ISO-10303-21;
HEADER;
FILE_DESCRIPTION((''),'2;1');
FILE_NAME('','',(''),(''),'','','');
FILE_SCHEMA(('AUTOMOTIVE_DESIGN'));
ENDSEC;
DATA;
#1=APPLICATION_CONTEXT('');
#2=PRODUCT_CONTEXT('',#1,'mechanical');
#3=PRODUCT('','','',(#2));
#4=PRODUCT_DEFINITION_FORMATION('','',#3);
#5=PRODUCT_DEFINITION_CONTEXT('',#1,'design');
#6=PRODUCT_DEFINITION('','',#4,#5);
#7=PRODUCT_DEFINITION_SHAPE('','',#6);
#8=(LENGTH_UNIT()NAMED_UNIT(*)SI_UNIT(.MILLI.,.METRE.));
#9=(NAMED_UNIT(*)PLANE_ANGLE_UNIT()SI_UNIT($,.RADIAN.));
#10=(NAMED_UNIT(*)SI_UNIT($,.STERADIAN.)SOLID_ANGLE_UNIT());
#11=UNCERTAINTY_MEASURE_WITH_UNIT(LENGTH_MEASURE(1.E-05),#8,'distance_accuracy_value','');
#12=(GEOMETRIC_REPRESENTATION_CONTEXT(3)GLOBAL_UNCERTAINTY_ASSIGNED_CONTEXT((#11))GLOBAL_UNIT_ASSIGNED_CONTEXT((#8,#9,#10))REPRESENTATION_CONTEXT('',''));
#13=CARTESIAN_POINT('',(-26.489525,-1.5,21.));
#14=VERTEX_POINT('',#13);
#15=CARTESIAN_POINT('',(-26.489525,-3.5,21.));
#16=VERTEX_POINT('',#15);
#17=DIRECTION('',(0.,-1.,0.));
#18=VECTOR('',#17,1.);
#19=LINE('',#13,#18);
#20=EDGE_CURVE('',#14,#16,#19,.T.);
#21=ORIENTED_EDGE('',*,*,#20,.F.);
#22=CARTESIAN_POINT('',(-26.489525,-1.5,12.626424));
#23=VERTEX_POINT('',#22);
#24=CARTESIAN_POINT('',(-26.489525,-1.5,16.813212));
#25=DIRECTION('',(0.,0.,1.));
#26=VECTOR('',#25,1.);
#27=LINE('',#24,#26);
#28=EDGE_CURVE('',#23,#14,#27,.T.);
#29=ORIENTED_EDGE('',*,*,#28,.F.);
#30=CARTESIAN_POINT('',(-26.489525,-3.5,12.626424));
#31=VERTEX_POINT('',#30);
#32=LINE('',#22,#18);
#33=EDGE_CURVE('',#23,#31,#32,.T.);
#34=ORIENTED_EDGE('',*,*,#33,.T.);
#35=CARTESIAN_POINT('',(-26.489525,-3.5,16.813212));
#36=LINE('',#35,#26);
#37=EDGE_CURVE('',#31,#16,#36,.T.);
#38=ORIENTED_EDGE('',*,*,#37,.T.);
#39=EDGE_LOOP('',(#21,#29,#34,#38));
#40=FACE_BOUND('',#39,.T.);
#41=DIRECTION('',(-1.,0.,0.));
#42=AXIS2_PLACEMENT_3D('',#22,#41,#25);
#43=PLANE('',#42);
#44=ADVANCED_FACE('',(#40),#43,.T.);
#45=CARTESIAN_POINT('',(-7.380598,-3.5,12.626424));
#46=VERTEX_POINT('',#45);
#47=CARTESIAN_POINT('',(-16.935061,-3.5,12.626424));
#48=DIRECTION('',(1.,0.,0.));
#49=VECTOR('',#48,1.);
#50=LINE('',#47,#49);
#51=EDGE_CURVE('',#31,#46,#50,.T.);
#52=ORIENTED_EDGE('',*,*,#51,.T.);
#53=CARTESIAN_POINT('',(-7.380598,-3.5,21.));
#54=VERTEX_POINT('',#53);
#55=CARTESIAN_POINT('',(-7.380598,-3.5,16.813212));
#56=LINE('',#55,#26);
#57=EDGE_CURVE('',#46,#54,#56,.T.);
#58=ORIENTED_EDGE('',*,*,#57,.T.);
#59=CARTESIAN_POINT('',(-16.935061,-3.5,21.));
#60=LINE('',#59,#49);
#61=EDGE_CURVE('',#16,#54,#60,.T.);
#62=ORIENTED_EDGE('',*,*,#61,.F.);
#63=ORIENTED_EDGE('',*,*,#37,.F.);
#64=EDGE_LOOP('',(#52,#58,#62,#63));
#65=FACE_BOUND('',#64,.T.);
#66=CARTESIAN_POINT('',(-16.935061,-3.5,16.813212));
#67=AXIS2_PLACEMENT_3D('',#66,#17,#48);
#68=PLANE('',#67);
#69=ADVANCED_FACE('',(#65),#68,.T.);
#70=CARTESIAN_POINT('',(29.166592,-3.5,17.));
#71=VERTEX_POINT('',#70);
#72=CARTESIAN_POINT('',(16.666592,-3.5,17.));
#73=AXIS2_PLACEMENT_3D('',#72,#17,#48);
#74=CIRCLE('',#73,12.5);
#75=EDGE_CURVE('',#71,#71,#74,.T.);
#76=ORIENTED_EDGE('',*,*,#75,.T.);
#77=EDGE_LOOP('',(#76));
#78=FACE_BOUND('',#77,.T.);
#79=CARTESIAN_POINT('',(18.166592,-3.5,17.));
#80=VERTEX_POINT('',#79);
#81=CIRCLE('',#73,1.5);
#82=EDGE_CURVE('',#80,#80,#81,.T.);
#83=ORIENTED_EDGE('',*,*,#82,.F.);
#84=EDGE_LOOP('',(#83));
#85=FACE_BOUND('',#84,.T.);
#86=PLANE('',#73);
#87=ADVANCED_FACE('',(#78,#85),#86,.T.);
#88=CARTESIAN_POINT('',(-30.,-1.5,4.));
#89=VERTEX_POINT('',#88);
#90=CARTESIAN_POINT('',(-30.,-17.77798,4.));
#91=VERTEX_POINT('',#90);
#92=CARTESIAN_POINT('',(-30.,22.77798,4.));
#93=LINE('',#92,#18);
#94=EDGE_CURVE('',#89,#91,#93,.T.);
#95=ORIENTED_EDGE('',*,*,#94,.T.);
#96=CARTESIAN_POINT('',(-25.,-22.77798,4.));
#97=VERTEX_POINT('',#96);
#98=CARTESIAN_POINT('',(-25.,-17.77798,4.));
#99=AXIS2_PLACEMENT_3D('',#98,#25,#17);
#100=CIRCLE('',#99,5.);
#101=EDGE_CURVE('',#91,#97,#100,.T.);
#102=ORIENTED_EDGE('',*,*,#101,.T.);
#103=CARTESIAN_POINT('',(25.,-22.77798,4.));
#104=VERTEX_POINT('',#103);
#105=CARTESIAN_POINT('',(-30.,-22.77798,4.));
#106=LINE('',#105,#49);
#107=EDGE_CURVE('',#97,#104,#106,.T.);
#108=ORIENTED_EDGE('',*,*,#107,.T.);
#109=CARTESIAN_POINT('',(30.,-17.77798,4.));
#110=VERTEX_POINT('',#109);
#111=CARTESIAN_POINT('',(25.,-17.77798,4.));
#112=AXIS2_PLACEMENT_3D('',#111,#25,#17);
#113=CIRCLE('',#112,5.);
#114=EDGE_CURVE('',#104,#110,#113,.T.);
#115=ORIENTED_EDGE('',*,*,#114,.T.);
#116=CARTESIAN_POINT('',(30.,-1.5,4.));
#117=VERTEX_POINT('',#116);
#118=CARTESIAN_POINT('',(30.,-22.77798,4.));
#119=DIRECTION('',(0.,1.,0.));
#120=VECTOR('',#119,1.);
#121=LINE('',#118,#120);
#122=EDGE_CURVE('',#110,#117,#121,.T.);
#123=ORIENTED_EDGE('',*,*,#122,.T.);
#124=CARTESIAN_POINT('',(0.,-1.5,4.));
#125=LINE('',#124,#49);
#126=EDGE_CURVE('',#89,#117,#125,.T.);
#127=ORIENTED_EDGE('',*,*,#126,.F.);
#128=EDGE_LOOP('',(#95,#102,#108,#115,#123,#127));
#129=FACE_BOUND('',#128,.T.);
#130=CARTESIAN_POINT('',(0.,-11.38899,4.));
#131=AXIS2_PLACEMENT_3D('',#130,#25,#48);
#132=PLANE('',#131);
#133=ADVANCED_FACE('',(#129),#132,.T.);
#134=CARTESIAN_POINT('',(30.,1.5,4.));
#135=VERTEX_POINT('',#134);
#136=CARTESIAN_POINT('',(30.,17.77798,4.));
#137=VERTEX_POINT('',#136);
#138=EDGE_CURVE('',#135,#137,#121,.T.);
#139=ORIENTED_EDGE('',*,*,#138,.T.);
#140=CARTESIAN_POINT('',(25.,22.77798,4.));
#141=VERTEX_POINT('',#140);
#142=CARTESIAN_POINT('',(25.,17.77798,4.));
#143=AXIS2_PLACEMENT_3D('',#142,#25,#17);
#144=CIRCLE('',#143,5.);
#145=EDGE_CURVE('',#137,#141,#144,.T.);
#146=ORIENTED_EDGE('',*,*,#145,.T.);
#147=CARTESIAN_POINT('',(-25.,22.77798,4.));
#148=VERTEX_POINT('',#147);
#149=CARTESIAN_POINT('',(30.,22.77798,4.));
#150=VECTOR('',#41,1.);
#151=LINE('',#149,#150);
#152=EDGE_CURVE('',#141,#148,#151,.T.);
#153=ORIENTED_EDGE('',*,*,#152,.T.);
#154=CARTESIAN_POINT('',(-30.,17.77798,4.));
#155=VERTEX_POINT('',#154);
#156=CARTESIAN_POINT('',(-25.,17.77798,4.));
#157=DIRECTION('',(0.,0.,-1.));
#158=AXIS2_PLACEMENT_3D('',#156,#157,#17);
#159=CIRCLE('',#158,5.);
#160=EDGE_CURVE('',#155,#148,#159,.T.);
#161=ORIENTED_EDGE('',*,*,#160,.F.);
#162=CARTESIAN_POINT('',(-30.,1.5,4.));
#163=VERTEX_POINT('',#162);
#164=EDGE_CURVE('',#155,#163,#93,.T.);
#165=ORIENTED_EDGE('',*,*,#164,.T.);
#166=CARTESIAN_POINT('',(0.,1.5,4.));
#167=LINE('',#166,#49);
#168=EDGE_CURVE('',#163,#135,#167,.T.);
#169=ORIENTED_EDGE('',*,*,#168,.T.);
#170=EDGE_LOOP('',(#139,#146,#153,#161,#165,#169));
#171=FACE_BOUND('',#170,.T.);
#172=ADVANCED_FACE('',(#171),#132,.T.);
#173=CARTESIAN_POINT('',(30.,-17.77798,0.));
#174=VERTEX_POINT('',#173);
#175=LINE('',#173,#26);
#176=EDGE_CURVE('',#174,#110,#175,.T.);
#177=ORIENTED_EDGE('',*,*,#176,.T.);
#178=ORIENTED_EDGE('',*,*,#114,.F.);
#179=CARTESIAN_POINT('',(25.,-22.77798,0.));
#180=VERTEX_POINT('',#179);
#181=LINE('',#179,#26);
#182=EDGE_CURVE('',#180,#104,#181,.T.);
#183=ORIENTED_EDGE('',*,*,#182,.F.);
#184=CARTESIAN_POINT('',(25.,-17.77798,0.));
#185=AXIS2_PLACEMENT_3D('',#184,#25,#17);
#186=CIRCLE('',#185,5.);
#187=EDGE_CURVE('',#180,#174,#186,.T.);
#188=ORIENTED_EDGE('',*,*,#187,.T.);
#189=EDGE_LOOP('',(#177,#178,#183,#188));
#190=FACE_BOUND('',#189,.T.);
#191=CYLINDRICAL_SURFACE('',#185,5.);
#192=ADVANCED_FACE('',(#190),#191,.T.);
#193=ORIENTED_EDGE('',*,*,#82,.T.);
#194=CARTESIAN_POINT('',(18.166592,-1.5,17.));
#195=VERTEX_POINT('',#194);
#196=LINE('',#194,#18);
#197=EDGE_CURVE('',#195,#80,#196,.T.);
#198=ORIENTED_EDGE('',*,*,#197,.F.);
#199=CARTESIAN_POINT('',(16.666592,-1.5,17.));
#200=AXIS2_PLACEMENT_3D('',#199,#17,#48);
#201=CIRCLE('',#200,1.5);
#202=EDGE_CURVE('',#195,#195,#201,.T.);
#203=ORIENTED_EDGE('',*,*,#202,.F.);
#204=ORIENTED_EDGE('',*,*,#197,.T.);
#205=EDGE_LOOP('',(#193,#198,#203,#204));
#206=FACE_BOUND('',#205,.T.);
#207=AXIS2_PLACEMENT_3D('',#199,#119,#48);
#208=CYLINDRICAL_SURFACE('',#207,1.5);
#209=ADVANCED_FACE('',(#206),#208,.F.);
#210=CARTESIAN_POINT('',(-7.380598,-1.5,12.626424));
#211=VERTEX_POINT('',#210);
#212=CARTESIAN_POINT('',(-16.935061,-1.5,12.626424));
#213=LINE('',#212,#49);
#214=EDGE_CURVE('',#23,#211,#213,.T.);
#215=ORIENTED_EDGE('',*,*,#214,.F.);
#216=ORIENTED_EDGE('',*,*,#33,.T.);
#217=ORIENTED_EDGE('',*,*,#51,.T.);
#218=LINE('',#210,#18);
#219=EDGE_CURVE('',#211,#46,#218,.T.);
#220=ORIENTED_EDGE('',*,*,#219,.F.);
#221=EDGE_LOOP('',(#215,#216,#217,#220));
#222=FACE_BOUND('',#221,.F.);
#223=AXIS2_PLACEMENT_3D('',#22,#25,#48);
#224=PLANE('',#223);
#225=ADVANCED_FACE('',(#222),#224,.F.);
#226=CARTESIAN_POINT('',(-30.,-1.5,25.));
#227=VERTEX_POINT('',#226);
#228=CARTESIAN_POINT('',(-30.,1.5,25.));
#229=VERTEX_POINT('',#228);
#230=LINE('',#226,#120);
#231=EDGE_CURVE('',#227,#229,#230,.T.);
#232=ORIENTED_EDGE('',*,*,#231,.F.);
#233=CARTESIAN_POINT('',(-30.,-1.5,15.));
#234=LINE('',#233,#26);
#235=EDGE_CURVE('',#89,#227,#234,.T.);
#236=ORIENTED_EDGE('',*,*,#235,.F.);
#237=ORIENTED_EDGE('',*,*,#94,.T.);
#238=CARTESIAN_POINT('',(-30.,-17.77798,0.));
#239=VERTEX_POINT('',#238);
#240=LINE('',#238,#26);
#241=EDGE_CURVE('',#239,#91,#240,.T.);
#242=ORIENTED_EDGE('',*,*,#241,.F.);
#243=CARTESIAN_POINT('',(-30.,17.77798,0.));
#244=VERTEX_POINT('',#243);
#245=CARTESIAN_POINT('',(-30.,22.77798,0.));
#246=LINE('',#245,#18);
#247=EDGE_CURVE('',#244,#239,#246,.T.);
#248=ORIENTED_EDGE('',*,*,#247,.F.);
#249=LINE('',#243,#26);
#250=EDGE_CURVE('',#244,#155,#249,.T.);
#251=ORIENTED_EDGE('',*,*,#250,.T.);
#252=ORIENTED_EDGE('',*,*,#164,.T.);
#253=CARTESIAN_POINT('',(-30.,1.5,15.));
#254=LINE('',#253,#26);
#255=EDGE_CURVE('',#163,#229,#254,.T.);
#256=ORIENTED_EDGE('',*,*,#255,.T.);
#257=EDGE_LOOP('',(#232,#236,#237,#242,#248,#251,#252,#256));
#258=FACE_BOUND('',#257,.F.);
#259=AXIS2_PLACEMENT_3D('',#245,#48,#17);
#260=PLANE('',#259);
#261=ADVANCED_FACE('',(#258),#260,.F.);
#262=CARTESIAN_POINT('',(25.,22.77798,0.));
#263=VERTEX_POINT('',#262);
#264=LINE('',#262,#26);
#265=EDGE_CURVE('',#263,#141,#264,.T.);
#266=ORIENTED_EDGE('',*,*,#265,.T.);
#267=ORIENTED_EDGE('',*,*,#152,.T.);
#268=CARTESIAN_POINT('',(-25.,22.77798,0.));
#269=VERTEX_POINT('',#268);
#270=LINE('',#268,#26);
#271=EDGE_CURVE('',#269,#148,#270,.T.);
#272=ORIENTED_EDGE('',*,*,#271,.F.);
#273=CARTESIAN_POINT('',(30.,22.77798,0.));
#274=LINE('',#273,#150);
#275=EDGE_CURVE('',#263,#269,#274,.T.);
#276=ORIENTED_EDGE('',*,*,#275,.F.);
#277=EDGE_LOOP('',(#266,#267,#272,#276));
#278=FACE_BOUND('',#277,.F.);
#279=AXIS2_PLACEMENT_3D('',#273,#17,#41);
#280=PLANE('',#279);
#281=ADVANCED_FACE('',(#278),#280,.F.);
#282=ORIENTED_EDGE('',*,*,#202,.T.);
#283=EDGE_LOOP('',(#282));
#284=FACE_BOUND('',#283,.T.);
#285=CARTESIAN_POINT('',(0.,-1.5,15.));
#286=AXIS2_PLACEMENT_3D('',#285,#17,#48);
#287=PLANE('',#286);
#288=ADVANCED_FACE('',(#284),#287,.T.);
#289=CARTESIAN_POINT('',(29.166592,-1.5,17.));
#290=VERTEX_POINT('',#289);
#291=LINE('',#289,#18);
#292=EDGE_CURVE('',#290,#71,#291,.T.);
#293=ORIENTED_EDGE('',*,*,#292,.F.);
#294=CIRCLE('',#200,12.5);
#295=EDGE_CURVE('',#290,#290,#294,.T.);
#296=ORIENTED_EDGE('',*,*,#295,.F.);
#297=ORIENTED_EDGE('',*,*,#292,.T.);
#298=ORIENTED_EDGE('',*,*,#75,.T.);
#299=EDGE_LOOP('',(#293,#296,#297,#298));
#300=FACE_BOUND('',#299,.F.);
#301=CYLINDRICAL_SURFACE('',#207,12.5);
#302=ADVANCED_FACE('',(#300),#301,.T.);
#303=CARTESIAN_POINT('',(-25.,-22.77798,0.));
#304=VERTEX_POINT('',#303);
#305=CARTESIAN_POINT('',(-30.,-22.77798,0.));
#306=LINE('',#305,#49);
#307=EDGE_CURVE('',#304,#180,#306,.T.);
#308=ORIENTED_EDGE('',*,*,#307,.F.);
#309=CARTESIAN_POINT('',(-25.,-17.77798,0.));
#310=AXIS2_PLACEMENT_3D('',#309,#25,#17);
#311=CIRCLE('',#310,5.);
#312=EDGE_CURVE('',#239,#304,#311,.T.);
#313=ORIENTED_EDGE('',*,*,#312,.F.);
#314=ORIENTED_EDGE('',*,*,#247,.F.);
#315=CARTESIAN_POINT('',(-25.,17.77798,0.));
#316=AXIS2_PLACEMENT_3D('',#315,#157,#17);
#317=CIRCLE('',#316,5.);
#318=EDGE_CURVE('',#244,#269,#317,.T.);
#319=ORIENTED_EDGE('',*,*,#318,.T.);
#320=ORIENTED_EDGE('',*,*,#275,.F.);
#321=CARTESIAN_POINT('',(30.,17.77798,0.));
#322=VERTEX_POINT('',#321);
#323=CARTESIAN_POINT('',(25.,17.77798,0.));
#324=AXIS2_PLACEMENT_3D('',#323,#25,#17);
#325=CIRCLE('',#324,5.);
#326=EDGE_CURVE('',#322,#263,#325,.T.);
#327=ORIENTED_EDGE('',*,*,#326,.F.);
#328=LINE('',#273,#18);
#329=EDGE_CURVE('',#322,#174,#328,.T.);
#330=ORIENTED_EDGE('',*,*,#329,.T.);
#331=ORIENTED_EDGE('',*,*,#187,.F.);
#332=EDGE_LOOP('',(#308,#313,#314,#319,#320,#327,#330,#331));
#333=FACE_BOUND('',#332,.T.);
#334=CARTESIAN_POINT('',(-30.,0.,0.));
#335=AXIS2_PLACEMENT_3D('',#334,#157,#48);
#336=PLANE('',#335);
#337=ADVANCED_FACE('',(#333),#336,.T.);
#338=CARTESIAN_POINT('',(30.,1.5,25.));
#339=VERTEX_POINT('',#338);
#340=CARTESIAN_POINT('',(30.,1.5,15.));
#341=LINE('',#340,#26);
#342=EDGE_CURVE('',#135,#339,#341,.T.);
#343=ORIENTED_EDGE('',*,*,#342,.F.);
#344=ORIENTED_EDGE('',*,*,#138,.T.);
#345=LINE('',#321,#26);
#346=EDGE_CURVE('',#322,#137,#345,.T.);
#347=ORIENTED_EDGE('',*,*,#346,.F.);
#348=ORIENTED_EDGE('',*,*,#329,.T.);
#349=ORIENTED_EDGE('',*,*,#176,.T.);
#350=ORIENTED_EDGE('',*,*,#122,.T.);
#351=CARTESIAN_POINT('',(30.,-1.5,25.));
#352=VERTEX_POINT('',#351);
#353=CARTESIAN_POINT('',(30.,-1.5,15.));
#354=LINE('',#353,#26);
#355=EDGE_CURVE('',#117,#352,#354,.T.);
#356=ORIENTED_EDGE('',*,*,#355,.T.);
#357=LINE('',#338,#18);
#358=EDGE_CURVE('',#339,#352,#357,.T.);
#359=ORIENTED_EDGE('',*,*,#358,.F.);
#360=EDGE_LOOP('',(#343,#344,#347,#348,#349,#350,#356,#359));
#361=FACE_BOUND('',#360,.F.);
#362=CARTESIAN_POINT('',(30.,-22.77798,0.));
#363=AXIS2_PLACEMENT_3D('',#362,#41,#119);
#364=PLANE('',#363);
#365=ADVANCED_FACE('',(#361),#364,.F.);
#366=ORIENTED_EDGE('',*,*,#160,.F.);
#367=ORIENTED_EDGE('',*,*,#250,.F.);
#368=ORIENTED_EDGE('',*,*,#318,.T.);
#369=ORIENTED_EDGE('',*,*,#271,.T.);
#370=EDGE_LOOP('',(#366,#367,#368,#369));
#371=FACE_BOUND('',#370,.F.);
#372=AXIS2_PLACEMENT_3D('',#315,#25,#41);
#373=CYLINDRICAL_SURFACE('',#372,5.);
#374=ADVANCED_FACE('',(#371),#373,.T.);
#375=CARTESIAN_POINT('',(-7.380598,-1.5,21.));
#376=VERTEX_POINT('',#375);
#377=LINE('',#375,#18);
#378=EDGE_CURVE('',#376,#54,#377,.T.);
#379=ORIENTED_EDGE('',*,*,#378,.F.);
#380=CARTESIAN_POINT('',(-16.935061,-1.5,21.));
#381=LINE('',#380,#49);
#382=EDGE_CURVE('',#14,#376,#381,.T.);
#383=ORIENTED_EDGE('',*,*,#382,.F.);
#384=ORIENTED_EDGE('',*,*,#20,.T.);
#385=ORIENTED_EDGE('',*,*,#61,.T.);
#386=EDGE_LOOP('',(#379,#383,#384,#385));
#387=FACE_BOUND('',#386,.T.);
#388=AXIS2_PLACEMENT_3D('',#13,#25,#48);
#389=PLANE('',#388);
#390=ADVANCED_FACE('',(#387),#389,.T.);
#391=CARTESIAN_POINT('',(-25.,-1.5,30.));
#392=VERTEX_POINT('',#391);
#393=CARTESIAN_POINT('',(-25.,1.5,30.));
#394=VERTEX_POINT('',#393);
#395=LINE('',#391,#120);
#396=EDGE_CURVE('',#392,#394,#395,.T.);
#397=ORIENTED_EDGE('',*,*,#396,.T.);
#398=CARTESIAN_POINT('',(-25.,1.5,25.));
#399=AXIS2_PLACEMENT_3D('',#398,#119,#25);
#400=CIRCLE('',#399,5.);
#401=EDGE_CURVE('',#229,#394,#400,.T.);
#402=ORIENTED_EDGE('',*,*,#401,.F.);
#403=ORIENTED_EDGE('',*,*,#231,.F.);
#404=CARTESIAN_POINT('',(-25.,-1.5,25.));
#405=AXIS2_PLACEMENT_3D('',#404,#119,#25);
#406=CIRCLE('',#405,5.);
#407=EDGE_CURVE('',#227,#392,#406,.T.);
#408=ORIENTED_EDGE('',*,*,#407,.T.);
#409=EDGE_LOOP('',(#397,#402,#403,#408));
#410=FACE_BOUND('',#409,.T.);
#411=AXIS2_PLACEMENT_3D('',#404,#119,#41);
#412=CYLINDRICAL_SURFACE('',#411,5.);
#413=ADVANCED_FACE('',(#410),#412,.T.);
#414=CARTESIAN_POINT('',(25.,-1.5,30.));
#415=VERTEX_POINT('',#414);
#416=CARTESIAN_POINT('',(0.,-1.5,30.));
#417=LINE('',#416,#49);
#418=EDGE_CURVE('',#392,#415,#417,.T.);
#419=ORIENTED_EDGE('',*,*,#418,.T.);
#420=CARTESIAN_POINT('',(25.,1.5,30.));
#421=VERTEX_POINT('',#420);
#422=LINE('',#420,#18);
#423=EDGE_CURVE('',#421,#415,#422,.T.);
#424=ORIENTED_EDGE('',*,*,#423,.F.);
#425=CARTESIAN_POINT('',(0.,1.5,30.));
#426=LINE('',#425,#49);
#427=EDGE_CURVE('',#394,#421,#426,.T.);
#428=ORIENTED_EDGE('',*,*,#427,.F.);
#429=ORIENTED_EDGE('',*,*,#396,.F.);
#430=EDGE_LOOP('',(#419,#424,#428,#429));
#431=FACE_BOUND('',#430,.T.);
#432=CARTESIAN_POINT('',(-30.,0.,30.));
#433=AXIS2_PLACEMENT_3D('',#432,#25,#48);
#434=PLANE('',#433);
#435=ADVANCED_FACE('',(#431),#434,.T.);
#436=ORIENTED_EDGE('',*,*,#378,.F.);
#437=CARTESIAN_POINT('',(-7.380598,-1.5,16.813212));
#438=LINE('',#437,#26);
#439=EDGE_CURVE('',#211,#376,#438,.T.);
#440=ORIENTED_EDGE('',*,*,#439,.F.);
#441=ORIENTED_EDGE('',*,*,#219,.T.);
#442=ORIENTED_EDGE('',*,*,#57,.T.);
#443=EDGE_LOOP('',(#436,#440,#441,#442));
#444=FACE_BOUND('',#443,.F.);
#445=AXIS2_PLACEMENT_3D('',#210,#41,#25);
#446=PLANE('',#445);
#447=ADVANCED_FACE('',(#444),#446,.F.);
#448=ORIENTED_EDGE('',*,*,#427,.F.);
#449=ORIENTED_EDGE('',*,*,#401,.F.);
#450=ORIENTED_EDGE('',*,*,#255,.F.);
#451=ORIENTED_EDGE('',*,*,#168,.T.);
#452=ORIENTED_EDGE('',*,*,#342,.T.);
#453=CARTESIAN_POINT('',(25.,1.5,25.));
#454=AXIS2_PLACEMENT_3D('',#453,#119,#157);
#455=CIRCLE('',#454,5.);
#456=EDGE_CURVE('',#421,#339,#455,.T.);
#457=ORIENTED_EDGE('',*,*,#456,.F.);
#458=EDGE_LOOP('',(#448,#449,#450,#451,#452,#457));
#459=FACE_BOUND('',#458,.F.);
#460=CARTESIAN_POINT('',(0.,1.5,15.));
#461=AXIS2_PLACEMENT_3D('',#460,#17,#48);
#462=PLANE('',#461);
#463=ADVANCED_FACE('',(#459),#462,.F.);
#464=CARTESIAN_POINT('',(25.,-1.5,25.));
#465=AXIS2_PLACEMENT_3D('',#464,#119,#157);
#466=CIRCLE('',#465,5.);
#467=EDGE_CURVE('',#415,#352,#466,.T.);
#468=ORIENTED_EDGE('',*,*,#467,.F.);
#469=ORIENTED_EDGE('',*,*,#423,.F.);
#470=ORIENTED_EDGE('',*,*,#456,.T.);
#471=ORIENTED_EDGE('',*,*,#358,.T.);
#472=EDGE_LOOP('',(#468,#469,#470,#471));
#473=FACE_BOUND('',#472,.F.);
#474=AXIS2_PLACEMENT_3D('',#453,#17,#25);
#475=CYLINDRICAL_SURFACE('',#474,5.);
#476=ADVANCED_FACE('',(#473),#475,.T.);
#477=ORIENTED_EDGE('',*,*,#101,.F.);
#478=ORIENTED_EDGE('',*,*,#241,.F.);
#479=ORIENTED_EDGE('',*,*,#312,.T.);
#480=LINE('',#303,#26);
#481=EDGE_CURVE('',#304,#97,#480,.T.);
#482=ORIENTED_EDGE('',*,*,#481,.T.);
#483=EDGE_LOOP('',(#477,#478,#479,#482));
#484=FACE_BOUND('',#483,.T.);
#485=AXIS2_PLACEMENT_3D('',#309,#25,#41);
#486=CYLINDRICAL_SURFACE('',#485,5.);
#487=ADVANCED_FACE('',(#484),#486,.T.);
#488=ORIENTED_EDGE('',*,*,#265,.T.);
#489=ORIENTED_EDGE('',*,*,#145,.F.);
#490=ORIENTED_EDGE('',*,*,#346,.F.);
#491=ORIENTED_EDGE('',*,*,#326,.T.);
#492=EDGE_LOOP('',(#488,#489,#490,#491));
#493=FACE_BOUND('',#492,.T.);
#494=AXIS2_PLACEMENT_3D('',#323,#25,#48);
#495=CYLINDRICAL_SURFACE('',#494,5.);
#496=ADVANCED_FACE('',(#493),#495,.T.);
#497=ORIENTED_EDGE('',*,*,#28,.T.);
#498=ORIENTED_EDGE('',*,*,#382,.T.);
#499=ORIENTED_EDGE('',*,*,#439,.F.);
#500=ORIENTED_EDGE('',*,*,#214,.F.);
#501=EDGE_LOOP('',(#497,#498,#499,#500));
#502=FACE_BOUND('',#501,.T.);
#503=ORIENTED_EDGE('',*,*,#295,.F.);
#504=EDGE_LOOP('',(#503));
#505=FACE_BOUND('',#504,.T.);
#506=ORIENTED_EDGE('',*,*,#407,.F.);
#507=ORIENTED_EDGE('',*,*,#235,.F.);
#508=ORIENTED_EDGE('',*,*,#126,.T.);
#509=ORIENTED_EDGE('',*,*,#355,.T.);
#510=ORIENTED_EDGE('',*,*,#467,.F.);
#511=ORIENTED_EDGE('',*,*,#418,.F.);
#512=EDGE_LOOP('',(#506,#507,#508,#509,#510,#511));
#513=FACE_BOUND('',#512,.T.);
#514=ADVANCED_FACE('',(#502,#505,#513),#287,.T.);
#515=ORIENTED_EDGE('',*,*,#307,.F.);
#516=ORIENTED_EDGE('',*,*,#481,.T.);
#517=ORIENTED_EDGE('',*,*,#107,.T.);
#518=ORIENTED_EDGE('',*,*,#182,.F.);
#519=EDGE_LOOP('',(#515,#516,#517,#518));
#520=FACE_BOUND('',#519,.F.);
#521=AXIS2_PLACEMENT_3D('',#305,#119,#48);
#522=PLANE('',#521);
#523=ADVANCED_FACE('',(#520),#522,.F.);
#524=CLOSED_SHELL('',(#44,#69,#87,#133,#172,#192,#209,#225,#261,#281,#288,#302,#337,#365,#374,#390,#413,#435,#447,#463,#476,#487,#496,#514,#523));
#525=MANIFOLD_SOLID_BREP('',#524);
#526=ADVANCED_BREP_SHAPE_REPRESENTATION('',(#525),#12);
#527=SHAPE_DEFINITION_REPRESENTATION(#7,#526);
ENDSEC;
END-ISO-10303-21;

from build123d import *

# Parameters (mm, degrees)
F1_DEPTH      = 4
F2_W          = 60
F2_H          = 30
F3_DEPTH      = 1.5
F3_DEPTH_BACK = 1.5
F4_R          = 5
F5_R          = 5
F6_R          = 12.5
F6_R_2        = 1.5
F6_W          = 19.108927
F6_H          = 8.373576
F7_DEPTH      = 2


with BuildPart() as f1:
    # F0 (on Top) → F1 (new body)
    with BuildSketch(Plane.XY):
        Polygon((-30, -22.77798), (30, -22.77798), (30, 0), (0, 0), (-30, 0), align=None)
        Polygon((0, 0), (30, 0), (30, 22.77798), (-30, 22.77798), (-30, 0), align=None)
    extrude(amount=F1_DEPTH)

    # F2 (on Front) → F3 (join, two sides)
    with BuildSketch(Plane.XZ) as f3_sk:
        with Locations((0, 15)):
            Rectangle(F2_W, F2_H)
    extrude(amount=F3_DEPTH)
    extrude(f3_sk.sketch, amount=-F3_DEPTH_BACK)

    # F4
    f4_edges = [f1.edges().sort_by_distance(p)[0] for p in [
        (-30, -22.77798, 2),
        (30, -22.77798, 2),
        (30, 22.77798, 2),
        (-30, 22.77798, 2),
    ]]
    fillet(f4_edges, radius=F4_R)

    # F5
    f5_edges = [f1.edges().sort_by_distance(p)[0] for p in [
        (-30, 0, 30),
        (30, 0, 30),
    ]]
    fillet(f5_edges, radius=F5_R)

    # F6 (on face) → F7 (join)
    with BuildSketch(Plane.XZ.offset(1.5)):
        with Locations((16.666592, 17)):
            Circle(F6_R)
        with Locations((16.666592, 17)):
            Circle(F6_R_2, mode=Mode.SUBTRACT)
        with Locations((-16.935061, 16.813212)):
            Rectangle(F6_W, F6_H)
    extrude(amount=F7_DEPTH)


solid = f1.part
